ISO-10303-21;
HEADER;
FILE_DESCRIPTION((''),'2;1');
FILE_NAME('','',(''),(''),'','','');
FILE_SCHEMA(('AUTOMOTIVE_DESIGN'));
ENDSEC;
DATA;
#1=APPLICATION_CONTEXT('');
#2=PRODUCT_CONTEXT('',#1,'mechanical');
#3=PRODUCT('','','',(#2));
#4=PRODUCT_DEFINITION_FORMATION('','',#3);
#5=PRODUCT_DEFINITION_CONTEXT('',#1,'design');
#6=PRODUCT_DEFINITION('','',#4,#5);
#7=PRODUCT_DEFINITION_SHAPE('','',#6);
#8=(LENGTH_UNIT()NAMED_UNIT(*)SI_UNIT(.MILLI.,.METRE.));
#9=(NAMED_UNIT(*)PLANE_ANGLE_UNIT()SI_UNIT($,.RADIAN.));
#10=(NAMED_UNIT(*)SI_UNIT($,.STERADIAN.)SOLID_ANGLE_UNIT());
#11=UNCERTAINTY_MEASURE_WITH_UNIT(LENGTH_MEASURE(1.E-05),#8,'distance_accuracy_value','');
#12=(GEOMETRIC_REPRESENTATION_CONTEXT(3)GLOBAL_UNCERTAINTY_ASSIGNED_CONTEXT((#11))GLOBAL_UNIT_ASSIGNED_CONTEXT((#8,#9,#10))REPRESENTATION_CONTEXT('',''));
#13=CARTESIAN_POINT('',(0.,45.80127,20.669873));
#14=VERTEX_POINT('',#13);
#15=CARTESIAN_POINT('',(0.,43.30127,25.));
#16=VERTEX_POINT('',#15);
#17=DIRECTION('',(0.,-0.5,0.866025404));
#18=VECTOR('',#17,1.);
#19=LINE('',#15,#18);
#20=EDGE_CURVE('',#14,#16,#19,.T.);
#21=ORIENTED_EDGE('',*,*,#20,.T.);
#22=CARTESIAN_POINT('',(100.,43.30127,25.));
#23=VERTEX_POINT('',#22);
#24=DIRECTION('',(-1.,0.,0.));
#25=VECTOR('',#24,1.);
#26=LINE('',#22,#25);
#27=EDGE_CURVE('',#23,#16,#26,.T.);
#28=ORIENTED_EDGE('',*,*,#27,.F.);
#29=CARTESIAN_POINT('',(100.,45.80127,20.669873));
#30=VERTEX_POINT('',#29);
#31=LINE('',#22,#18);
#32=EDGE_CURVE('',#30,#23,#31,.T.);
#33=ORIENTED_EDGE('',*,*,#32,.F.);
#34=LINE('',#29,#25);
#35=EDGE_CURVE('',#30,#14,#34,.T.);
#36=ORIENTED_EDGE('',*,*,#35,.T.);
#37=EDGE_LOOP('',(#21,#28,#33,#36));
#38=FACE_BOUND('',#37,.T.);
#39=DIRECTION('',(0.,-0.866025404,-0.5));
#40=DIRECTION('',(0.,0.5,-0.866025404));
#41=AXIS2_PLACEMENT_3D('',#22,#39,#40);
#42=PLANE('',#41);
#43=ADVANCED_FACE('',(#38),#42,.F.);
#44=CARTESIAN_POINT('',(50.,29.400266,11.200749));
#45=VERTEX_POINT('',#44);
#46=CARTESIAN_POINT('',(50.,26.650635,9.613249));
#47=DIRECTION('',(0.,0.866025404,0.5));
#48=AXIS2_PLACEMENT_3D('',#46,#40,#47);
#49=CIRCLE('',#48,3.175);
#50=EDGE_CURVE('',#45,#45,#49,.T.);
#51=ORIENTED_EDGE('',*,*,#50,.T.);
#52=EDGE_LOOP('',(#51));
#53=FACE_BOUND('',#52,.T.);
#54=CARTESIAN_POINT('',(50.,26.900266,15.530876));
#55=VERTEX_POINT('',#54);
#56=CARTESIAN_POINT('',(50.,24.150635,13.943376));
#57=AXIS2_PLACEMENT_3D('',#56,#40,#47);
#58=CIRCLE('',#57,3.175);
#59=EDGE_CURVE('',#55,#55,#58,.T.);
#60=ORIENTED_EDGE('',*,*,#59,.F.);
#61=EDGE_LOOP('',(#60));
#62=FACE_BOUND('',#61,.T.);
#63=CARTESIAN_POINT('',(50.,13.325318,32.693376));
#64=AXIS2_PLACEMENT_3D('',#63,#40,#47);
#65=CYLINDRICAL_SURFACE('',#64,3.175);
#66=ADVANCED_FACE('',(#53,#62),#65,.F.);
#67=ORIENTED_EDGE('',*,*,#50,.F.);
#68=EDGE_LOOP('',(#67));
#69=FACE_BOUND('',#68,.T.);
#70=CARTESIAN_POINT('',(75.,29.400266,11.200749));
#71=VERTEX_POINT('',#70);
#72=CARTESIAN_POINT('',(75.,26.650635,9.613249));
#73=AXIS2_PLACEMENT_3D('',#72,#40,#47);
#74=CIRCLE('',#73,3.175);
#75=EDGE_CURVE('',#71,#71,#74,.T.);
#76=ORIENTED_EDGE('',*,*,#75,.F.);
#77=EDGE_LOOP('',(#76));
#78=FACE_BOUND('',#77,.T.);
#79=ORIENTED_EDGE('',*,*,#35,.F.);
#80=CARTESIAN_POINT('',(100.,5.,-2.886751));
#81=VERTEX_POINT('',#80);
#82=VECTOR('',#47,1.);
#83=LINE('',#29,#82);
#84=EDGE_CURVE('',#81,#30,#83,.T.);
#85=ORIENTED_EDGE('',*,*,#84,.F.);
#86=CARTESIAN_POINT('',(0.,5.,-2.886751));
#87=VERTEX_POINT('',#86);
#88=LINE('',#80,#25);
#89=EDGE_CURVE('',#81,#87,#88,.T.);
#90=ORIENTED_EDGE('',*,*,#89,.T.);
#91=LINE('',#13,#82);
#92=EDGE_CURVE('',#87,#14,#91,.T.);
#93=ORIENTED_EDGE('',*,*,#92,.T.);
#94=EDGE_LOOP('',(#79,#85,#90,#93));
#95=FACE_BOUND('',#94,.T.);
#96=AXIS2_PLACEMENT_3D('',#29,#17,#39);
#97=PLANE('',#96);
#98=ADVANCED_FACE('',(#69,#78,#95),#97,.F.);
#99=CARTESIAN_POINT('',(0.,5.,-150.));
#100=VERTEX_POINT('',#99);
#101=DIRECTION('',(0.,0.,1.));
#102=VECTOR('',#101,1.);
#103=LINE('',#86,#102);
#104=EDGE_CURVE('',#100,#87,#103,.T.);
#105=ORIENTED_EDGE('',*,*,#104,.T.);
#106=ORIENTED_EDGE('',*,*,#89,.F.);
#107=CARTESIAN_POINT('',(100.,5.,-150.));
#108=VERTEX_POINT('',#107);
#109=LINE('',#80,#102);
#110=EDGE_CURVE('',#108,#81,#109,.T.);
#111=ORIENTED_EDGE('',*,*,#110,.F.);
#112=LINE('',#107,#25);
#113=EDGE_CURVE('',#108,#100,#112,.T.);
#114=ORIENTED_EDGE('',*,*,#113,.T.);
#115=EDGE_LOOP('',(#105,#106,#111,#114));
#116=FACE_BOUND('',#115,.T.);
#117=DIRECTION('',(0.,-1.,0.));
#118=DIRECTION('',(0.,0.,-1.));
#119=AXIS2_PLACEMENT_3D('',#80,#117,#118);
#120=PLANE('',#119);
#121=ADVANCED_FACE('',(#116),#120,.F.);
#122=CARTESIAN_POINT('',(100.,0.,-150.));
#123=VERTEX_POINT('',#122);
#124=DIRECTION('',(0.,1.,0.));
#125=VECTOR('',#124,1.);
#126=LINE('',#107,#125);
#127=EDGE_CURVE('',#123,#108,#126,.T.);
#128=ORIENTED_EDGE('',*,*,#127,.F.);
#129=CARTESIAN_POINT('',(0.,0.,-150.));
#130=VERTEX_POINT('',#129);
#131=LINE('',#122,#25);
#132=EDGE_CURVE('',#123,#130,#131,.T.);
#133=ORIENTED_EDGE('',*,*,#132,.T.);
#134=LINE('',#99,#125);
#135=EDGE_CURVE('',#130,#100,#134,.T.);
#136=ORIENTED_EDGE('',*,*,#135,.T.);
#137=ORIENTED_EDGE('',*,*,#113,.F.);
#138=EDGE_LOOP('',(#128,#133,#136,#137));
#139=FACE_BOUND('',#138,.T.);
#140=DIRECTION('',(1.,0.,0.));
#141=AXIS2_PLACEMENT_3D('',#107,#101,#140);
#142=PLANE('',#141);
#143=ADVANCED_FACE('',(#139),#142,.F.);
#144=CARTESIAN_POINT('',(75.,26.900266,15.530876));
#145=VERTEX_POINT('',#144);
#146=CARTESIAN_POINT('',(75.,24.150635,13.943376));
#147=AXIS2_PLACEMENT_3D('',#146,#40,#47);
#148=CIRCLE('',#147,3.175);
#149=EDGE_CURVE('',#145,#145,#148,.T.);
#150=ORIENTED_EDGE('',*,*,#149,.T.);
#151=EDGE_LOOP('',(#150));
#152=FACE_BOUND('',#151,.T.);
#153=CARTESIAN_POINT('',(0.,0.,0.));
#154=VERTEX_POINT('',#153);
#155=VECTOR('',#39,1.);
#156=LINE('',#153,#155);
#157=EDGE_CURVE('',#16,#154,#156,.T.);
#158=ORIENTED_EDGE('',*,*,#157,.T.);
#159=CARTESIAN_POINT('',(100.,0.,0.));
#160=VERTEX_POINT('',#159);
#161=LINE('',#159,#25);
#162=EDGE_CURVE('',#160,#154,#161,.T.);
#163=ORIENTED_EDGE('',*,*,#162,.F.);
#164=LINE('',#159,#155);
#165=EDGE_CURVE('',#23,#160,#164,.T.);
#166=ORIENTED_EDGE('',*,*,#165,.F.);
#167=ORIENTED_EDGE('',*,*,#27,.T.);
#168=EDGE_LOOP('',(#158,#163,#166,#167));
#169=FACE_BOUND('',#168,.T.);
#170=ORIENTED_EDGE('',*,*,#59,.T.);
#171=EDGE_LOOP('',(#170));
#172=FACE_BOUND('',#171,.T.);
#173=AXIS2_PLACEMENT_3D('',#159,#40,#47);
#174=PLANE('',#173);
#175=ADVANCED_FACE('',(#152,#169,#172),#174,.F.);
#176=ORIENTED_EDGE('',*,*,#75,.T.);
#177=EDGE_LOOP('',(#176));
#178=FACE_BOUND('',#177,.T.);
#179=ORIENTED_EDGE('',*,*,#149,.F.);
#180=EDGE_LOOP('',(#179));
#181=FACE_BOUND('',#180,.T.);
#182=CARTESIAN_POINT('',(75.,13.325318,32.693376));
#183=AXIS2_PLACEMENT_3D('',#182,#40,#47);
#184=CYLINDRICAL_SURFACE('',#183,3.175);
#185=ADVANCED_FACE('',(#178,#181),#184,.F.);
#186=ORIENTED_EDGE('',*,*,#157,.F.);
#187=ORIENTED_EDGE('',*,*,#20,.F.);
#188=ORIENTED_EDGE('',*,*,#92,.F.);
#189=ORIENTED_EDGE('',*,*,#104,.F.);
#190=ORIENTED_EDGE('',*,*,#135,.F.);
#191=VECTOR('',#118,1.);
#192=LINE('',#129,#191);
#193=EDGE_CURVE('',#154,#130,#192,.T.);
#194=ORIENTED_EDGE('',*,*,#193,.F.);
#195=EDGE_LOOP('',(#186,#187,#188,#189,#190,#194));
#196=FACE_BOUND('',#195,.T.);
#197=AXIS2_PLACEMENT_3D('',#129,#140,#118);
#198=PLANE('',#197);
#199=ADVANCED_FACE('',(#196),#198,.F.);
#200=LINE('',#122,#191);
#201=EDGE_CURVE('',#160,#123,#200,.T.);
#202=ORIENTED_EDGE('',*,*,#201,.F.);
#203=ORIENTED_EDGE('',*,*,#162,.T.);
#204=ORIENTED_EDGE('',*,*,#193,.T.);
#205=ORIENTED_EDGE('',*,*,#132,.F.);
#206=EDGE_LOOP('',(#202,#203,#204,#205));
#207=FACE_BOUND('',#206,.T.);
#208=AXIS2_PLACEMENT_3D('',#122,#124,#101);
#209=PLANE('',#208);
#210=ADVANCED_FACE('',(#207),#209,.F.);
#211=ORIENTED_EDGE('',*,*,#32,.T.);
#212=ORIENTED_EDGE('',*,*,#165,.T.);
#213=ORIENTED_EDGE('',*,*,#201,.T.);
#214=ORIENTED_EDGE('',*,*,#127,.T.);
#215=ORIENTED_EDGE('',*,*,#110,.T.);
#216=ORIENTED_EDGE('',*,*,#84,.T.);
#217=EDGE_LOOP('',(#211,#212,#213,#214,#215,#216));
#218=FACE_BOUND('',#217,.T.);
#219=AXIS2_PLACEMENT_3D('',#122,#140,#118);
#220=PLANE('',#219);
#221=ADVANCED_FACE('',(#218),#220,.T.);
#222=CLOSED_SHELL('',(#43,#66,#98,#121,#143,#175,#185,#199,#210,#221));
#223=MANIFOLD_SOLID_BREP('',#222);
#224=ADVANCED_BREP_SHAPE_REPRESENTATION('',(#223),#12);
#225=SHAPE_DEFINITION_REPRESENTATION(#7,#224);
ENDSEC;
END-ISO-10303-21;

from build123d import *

# Parameters (mm, degrees)
BOSS_EXTRUDE1_DEPTH = 100
SKETCH2_R           = 3.175
CUT_EXTRUDE1_DEPTH  = 182.919520377


with BuildPart() as part:
    # Sketch1 → Boss-Extrude1 (new body)
    with BuildSketch(Plane(origin=(0, 0, 0), x_dir=(0, 0, -1), z_dir=(1, 0, 0))):
        Polygon((0, 0), (-25, 43.301270189), (-20.669872981, 45.801270189), (2.886751346, 5), (150, 5), (150, 0), align=None)
    extrude(amount=BOSS_EXTRUDE1_DEPTH)

    # Sketch2 → Cut-Extrude1 (cut, through all)
    with BuildSketch(Plane(origin=(0, 2.5, -4.330127019), x_dir=(-1, 0, 0), z_dir=(0, 0.49999999999999806, -0.8660254037844397))):
        with Locations(Location((-75, 27.886751346, 0), (0, 0, 90))):
            Circle(SKETCH2_R)
        with Locations(Location((-50, 27.886751346, 0), (0, 0, 90))):
            Circle(SKETCH2_R)
    extrude(amount=-CUT_EXTRUDE1_DEPTH, mode=Mode.SUBTRACT)


solid = part.part
